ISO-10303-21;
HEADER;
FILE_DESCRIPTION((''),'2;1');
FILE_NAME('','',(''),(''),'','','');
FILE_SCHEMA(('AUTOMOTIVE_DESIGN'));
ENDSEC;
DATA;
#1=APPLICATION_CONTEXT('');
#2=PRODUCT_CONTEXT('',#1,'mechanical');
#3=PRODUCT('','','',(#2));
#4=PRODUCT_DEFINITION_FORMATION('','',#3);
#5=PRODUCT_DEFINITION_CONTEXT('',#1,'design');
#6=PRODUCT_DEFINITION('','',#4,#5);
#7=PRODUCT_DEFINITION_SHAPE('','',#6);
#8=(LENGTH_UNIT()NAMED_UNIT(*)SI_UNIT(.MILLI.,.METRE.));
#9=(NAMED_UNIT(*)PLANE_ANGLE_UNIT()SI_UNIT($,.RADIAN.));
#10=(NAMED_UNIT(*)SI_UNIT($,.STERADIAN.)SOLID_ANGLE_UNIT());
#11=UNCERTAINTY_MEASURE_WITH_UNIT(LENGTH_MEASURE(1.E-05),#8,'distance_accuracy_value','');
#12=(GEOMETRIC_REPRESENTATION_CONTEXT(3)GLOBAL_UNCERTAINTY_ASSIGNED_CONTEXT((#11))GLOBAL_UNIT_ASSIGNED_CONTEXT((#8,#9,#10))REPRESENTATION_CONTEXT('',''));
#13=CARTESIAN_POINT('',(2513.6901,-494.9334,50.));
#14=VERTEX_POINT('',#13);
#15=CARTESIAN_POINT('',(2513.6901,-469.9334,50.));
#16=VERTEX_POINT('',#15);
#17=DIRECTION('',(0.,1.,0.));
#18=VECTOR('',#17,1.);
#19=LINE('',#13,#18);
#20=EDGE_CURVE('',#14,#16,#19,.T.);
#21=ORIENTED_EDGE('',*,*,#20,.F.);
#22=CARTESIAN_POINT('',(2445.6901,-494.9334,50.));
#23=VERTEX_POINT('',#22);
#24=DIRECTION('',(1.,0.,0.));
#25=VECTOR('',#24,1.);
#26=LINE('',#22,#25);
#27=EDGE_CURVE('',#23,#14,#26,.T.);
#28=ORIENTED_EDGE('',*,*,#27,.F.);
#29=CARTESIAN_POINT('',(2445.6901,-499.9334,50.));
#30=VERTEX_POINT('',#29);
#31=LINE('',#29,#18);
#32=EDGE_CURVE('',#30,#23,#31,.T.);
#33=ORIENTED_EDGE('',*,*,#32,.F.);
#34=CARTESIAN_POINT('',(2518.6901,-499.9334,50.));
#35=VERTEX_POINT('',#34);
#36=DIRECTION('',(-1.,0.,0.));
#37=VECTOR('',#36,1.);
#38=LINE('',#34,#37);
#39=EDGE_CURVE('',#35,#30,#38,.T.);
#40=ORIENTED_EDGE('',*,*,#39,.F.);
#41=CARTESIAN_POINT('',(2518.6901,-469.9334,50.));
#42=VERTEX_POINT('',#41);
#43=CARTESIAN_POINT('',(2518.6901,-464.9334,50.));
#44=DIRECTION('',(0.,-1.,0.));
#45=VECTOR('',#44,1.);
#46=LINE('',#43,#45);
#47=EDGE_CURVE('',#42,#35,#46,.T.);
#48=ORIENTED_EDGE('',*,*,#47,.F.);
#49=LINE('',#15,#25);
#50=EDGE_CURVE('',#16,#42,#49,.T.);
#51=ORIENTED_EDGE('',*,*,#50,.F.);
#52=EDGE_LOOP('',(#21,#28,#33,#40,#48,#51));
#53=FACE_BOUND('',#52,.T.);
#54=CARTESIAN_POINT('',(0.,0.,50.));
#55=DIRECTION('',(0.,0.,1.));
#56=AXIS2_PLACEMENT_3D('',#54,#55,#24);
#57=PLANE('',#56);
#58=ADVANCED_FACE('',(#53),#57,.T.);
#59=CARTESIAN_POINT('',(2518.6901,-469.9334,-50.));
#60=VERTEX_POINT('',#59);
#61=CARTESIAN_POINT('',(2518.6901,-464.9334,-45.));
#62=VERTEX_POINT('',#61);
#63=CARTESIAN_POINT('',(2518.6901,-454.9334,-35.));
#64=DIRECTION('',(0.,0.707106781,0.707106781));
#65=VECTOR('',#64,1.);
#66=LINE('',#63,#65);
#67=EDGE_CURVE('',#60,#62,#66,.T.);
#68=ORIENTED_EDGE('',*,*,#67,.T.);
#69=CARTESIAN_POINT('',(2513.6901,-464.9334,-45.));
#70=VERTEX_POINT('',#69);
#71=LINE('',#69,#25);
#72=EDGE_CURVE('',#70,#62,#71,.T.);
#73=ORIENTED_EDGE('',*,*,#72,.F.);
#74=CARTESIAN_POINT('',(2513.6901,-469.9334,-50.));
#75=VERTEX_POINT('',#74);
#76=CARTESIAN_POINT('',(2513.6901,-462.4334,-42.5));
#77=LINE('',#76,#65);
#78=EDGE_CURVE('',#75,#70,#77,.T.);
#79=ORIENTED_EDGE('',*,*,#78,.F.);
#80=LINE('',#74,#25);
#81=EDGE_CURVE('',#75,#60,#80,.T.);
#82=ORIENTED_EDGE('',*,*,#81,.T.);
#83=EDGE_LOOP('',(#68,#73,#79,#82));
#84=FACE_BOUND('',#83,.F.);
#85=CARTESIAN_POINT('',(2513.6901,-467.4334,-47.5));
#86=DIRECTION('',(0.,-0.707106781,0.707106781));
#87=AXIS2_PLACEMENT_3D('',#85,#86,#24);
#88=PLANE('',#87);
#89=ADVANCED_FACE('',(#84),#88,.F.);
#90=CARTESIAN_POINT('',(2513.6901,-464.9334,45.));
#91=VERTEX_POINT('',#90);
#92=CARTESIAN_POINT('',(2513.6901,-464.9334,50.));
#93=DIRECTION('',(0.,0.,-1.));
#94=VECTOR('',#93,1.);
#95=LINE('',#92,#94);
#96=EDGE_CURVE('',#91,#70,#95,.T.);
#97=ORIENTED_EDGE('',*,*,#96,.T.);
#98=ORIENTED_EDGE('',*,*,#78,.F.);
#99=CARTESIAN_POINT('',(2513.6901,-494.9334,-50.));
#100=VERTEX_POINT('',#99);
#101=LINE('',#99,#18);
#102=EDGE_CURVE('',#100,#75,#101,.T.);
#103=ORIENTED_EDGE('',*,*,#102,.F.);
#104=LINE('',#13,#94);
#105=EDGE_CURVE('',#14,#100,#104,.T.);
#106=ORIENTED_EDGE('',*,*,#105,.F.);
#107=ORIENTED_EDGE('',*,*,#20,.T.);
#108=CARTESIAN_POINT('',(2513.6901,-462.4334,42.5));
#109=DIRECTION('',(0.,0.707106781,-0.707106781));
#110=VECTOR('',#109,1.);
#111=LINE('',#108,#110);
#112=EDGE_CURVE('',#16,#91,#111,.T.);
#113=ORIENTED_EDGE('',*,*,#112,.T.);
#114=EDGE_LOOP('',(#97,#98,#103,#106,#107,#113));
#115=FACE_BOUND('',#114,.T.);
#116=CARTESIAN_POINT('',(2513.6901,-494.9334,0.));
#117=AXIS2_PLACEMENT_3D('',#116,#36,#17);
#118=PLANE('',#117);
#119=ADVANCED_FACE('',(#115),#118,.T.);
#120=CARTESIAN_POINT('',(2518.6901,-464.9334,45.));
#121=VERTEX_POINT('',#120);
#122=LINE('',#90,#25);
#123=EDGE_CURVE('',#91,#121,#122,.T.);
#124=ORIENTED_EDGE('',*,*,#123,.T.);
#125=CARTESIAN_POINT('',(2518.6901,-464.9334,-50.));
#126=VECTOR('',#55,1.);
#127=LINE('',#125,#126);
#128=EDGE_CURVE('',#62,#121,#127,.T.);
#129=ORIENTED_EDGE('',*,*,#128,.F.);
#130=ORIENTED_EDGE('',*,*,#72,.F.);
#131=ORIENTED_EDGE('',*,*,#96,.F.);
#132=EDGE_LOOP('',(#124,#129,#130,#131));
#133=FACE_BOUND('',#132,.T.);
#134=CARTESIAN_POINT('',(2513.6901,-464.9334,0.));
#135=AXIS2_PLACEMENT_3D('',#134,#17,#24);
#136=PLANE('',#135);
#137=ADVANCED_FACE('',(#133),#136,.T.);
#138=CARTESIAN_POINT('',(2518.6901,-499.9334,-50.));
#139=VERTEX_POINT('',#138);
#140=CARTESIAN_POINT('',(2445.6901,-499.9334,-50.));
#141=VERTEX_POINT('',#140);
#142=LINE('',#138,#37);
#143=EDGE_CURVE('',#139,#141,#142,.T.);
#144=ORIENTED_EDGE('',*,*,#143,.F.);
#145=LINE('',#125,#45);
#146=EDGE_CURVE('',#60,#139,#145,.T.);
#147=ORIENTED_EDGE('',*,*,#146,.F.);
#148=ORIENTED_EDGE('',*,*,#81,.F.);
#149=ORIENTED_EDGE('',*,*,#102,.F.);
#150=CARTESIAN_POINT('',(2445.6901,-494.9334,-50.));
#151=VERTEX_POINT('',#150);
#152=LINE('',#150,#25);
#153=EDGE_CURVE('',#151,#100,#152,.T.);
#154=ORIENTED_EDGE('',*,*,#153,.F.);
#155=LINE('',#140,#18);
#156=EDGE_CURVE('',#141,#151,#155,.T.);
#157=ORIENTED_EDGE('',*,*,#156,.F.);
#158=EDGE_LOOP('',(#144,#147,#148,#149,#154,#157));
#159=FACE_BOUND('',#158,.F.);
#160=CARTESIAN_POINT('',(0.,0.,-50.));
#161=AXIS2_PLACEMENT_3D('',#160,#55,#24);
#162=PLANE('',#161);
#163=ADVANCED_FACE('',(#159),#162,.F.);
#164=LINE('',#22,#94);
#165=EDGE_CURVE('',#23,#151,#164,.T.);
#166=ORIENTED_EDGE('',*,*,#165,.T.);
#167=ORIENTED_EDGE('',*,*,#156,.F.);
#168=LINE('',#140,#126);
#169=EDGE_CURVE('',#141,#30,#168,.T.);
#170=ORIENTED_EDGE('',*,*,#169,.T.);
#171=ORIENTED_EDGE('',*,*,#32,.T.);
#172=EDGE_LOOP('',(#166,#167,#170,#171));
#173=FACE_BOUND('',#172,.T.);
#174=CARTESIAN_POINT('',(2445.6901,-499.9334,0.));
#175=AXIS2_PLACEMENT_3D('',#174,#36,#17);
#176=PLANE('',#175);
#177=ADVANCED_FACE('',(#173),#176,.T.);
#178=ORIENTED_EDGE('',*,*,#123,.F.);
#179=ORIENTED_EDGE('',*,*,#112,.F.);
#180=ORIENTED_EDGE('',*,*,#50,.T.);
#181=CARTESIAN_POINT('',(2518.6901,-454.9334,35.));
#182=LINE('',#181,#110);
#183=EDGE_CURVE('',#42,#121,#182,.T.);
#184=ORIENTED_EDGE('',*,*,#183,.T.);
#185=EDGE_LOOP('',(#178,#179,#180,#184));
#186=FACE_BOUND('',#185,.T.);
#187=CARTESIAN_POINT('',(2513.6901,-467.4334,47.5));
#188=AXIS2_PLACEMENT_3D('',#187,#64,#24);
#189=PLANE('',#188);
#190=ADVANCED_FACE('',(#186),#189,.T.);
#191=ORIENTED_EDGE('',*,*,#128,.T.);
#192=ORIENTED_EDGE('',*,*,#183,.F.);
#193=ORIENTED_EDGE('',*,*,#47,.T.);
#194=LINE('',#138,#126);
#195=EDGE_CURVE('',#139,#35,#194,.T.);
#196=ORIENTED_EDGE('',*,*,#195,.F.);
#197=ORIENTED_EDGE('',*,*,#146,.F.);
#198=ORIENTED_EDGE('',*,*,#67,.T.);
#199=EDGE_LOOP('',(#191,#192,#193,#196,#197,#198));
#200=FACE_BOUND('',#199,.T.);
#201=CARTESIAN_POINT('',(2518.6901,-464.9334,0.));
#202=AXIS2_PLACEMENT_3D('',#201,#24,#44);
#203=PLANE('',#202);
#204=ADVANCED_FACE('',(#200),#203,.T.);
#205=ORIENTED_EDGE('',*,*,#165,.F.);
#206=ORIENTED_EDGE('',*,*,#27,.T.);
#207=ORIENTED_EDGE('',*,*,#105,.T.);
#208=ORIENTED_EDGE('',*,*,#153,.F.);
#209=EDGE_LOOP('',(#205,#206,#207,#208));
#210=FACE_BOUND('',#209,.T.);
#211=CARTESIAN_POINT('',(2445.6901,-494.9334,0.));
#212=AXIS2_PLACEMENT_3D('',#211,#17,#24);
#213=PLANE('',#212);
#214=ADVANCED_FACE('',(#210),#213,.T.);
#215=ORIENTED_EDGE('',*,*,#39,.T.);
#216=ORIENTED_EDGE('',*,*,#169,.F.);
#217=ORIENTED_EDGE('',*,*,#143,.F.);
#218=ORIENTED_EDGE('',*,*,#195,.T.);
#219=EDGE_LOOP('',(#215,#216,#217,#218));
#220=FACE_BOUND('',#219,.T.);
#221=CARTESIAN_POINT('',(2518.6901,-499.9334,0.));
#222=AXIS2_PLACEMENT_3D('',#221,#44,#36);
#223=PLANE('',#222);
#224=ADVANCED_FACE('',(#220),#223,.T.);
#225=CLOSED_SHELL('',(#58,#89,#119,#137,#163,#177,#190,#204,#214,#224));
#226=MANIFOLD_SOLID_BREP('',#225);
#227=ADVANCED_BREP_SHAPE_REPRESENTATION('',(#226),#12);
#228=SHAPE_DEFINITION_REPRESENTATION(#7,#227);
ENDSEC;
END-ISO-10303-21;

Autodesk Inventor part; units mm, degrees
ref_plane "YZ Plane" through (0, 0, 0) normal (1, 0, 0) x (0, 1, 0)
ref_plane "XZ Plane" through (0, 0, 0) normal (0, 1, 0) x (-1, 0, 0)
ref_plane "XY Plane" through (0, 0, 0) normal (0, 0, 1) x (1, 0, 0)
sketch "Sketch1" plane through (0, 0, 0) normal (0, 0, 1) x (1, 0, 0)
  line L0 (2530.6901, -554.9334) -> (2513.6901, -554.9334)
  line L1 (2513.6901, -554.9334) -> (2445.6901, -499.9334)
  line L2 (2518.6901, -464.9334) -> (2518.6901, -499.9334)
  line L3 (2513.6901, -464.9334) -> (2518.6901, -464.9334)
  line L4 (2518.6901, -499.9334) -> (2445.6901, -499.9334)
  line L5 (2445.6901, -499.9334) -> (2445.6901, -494.9334)
  line L6 (2445.6901, -494.9334) -> (2513.6901, -494.9334)
  line L7 (2513.6901, -494.9334) -> (2513.6901, -464.9334)
  line L8 (2523.6901, -464.9334) -> (2535.6901, -505.2758)
  arc A0 (2530.6901, -554.9334) -> (2535.6901, -554.9334) centre (2533.1901, -550.6033) ccw
  line L9 (2523.6901, -464.9334) -> (2518.6901, -464.9334)
  line L10 (2535.6901, -554.9334) -> (2535.6901, -505.2758)
  arc A1 (2530.6901, -554.9334) -> (2535.6901, -554.9334) centre (2533.1901, -550.6033) ccw
  line L11 (2517.6901, -494.9334) -> (1996.6901, -494.9334)
  point P0 (0, 0)
  dimension "d5" = 5
  dimension "d6" = 35
extrude "Extrusion1" add sketch "Sketch1" along normal mid plane 100 contours L5 L6 L7 L3 L2 L4
chamfer "Chamfer1" distance 5 angle 45 2 edges at (2516.1901, -464.9334, 50) (2516.1901, -464.9334, -50)
properties part number "ADSK-MH-10040" material "Steel, Mild"
